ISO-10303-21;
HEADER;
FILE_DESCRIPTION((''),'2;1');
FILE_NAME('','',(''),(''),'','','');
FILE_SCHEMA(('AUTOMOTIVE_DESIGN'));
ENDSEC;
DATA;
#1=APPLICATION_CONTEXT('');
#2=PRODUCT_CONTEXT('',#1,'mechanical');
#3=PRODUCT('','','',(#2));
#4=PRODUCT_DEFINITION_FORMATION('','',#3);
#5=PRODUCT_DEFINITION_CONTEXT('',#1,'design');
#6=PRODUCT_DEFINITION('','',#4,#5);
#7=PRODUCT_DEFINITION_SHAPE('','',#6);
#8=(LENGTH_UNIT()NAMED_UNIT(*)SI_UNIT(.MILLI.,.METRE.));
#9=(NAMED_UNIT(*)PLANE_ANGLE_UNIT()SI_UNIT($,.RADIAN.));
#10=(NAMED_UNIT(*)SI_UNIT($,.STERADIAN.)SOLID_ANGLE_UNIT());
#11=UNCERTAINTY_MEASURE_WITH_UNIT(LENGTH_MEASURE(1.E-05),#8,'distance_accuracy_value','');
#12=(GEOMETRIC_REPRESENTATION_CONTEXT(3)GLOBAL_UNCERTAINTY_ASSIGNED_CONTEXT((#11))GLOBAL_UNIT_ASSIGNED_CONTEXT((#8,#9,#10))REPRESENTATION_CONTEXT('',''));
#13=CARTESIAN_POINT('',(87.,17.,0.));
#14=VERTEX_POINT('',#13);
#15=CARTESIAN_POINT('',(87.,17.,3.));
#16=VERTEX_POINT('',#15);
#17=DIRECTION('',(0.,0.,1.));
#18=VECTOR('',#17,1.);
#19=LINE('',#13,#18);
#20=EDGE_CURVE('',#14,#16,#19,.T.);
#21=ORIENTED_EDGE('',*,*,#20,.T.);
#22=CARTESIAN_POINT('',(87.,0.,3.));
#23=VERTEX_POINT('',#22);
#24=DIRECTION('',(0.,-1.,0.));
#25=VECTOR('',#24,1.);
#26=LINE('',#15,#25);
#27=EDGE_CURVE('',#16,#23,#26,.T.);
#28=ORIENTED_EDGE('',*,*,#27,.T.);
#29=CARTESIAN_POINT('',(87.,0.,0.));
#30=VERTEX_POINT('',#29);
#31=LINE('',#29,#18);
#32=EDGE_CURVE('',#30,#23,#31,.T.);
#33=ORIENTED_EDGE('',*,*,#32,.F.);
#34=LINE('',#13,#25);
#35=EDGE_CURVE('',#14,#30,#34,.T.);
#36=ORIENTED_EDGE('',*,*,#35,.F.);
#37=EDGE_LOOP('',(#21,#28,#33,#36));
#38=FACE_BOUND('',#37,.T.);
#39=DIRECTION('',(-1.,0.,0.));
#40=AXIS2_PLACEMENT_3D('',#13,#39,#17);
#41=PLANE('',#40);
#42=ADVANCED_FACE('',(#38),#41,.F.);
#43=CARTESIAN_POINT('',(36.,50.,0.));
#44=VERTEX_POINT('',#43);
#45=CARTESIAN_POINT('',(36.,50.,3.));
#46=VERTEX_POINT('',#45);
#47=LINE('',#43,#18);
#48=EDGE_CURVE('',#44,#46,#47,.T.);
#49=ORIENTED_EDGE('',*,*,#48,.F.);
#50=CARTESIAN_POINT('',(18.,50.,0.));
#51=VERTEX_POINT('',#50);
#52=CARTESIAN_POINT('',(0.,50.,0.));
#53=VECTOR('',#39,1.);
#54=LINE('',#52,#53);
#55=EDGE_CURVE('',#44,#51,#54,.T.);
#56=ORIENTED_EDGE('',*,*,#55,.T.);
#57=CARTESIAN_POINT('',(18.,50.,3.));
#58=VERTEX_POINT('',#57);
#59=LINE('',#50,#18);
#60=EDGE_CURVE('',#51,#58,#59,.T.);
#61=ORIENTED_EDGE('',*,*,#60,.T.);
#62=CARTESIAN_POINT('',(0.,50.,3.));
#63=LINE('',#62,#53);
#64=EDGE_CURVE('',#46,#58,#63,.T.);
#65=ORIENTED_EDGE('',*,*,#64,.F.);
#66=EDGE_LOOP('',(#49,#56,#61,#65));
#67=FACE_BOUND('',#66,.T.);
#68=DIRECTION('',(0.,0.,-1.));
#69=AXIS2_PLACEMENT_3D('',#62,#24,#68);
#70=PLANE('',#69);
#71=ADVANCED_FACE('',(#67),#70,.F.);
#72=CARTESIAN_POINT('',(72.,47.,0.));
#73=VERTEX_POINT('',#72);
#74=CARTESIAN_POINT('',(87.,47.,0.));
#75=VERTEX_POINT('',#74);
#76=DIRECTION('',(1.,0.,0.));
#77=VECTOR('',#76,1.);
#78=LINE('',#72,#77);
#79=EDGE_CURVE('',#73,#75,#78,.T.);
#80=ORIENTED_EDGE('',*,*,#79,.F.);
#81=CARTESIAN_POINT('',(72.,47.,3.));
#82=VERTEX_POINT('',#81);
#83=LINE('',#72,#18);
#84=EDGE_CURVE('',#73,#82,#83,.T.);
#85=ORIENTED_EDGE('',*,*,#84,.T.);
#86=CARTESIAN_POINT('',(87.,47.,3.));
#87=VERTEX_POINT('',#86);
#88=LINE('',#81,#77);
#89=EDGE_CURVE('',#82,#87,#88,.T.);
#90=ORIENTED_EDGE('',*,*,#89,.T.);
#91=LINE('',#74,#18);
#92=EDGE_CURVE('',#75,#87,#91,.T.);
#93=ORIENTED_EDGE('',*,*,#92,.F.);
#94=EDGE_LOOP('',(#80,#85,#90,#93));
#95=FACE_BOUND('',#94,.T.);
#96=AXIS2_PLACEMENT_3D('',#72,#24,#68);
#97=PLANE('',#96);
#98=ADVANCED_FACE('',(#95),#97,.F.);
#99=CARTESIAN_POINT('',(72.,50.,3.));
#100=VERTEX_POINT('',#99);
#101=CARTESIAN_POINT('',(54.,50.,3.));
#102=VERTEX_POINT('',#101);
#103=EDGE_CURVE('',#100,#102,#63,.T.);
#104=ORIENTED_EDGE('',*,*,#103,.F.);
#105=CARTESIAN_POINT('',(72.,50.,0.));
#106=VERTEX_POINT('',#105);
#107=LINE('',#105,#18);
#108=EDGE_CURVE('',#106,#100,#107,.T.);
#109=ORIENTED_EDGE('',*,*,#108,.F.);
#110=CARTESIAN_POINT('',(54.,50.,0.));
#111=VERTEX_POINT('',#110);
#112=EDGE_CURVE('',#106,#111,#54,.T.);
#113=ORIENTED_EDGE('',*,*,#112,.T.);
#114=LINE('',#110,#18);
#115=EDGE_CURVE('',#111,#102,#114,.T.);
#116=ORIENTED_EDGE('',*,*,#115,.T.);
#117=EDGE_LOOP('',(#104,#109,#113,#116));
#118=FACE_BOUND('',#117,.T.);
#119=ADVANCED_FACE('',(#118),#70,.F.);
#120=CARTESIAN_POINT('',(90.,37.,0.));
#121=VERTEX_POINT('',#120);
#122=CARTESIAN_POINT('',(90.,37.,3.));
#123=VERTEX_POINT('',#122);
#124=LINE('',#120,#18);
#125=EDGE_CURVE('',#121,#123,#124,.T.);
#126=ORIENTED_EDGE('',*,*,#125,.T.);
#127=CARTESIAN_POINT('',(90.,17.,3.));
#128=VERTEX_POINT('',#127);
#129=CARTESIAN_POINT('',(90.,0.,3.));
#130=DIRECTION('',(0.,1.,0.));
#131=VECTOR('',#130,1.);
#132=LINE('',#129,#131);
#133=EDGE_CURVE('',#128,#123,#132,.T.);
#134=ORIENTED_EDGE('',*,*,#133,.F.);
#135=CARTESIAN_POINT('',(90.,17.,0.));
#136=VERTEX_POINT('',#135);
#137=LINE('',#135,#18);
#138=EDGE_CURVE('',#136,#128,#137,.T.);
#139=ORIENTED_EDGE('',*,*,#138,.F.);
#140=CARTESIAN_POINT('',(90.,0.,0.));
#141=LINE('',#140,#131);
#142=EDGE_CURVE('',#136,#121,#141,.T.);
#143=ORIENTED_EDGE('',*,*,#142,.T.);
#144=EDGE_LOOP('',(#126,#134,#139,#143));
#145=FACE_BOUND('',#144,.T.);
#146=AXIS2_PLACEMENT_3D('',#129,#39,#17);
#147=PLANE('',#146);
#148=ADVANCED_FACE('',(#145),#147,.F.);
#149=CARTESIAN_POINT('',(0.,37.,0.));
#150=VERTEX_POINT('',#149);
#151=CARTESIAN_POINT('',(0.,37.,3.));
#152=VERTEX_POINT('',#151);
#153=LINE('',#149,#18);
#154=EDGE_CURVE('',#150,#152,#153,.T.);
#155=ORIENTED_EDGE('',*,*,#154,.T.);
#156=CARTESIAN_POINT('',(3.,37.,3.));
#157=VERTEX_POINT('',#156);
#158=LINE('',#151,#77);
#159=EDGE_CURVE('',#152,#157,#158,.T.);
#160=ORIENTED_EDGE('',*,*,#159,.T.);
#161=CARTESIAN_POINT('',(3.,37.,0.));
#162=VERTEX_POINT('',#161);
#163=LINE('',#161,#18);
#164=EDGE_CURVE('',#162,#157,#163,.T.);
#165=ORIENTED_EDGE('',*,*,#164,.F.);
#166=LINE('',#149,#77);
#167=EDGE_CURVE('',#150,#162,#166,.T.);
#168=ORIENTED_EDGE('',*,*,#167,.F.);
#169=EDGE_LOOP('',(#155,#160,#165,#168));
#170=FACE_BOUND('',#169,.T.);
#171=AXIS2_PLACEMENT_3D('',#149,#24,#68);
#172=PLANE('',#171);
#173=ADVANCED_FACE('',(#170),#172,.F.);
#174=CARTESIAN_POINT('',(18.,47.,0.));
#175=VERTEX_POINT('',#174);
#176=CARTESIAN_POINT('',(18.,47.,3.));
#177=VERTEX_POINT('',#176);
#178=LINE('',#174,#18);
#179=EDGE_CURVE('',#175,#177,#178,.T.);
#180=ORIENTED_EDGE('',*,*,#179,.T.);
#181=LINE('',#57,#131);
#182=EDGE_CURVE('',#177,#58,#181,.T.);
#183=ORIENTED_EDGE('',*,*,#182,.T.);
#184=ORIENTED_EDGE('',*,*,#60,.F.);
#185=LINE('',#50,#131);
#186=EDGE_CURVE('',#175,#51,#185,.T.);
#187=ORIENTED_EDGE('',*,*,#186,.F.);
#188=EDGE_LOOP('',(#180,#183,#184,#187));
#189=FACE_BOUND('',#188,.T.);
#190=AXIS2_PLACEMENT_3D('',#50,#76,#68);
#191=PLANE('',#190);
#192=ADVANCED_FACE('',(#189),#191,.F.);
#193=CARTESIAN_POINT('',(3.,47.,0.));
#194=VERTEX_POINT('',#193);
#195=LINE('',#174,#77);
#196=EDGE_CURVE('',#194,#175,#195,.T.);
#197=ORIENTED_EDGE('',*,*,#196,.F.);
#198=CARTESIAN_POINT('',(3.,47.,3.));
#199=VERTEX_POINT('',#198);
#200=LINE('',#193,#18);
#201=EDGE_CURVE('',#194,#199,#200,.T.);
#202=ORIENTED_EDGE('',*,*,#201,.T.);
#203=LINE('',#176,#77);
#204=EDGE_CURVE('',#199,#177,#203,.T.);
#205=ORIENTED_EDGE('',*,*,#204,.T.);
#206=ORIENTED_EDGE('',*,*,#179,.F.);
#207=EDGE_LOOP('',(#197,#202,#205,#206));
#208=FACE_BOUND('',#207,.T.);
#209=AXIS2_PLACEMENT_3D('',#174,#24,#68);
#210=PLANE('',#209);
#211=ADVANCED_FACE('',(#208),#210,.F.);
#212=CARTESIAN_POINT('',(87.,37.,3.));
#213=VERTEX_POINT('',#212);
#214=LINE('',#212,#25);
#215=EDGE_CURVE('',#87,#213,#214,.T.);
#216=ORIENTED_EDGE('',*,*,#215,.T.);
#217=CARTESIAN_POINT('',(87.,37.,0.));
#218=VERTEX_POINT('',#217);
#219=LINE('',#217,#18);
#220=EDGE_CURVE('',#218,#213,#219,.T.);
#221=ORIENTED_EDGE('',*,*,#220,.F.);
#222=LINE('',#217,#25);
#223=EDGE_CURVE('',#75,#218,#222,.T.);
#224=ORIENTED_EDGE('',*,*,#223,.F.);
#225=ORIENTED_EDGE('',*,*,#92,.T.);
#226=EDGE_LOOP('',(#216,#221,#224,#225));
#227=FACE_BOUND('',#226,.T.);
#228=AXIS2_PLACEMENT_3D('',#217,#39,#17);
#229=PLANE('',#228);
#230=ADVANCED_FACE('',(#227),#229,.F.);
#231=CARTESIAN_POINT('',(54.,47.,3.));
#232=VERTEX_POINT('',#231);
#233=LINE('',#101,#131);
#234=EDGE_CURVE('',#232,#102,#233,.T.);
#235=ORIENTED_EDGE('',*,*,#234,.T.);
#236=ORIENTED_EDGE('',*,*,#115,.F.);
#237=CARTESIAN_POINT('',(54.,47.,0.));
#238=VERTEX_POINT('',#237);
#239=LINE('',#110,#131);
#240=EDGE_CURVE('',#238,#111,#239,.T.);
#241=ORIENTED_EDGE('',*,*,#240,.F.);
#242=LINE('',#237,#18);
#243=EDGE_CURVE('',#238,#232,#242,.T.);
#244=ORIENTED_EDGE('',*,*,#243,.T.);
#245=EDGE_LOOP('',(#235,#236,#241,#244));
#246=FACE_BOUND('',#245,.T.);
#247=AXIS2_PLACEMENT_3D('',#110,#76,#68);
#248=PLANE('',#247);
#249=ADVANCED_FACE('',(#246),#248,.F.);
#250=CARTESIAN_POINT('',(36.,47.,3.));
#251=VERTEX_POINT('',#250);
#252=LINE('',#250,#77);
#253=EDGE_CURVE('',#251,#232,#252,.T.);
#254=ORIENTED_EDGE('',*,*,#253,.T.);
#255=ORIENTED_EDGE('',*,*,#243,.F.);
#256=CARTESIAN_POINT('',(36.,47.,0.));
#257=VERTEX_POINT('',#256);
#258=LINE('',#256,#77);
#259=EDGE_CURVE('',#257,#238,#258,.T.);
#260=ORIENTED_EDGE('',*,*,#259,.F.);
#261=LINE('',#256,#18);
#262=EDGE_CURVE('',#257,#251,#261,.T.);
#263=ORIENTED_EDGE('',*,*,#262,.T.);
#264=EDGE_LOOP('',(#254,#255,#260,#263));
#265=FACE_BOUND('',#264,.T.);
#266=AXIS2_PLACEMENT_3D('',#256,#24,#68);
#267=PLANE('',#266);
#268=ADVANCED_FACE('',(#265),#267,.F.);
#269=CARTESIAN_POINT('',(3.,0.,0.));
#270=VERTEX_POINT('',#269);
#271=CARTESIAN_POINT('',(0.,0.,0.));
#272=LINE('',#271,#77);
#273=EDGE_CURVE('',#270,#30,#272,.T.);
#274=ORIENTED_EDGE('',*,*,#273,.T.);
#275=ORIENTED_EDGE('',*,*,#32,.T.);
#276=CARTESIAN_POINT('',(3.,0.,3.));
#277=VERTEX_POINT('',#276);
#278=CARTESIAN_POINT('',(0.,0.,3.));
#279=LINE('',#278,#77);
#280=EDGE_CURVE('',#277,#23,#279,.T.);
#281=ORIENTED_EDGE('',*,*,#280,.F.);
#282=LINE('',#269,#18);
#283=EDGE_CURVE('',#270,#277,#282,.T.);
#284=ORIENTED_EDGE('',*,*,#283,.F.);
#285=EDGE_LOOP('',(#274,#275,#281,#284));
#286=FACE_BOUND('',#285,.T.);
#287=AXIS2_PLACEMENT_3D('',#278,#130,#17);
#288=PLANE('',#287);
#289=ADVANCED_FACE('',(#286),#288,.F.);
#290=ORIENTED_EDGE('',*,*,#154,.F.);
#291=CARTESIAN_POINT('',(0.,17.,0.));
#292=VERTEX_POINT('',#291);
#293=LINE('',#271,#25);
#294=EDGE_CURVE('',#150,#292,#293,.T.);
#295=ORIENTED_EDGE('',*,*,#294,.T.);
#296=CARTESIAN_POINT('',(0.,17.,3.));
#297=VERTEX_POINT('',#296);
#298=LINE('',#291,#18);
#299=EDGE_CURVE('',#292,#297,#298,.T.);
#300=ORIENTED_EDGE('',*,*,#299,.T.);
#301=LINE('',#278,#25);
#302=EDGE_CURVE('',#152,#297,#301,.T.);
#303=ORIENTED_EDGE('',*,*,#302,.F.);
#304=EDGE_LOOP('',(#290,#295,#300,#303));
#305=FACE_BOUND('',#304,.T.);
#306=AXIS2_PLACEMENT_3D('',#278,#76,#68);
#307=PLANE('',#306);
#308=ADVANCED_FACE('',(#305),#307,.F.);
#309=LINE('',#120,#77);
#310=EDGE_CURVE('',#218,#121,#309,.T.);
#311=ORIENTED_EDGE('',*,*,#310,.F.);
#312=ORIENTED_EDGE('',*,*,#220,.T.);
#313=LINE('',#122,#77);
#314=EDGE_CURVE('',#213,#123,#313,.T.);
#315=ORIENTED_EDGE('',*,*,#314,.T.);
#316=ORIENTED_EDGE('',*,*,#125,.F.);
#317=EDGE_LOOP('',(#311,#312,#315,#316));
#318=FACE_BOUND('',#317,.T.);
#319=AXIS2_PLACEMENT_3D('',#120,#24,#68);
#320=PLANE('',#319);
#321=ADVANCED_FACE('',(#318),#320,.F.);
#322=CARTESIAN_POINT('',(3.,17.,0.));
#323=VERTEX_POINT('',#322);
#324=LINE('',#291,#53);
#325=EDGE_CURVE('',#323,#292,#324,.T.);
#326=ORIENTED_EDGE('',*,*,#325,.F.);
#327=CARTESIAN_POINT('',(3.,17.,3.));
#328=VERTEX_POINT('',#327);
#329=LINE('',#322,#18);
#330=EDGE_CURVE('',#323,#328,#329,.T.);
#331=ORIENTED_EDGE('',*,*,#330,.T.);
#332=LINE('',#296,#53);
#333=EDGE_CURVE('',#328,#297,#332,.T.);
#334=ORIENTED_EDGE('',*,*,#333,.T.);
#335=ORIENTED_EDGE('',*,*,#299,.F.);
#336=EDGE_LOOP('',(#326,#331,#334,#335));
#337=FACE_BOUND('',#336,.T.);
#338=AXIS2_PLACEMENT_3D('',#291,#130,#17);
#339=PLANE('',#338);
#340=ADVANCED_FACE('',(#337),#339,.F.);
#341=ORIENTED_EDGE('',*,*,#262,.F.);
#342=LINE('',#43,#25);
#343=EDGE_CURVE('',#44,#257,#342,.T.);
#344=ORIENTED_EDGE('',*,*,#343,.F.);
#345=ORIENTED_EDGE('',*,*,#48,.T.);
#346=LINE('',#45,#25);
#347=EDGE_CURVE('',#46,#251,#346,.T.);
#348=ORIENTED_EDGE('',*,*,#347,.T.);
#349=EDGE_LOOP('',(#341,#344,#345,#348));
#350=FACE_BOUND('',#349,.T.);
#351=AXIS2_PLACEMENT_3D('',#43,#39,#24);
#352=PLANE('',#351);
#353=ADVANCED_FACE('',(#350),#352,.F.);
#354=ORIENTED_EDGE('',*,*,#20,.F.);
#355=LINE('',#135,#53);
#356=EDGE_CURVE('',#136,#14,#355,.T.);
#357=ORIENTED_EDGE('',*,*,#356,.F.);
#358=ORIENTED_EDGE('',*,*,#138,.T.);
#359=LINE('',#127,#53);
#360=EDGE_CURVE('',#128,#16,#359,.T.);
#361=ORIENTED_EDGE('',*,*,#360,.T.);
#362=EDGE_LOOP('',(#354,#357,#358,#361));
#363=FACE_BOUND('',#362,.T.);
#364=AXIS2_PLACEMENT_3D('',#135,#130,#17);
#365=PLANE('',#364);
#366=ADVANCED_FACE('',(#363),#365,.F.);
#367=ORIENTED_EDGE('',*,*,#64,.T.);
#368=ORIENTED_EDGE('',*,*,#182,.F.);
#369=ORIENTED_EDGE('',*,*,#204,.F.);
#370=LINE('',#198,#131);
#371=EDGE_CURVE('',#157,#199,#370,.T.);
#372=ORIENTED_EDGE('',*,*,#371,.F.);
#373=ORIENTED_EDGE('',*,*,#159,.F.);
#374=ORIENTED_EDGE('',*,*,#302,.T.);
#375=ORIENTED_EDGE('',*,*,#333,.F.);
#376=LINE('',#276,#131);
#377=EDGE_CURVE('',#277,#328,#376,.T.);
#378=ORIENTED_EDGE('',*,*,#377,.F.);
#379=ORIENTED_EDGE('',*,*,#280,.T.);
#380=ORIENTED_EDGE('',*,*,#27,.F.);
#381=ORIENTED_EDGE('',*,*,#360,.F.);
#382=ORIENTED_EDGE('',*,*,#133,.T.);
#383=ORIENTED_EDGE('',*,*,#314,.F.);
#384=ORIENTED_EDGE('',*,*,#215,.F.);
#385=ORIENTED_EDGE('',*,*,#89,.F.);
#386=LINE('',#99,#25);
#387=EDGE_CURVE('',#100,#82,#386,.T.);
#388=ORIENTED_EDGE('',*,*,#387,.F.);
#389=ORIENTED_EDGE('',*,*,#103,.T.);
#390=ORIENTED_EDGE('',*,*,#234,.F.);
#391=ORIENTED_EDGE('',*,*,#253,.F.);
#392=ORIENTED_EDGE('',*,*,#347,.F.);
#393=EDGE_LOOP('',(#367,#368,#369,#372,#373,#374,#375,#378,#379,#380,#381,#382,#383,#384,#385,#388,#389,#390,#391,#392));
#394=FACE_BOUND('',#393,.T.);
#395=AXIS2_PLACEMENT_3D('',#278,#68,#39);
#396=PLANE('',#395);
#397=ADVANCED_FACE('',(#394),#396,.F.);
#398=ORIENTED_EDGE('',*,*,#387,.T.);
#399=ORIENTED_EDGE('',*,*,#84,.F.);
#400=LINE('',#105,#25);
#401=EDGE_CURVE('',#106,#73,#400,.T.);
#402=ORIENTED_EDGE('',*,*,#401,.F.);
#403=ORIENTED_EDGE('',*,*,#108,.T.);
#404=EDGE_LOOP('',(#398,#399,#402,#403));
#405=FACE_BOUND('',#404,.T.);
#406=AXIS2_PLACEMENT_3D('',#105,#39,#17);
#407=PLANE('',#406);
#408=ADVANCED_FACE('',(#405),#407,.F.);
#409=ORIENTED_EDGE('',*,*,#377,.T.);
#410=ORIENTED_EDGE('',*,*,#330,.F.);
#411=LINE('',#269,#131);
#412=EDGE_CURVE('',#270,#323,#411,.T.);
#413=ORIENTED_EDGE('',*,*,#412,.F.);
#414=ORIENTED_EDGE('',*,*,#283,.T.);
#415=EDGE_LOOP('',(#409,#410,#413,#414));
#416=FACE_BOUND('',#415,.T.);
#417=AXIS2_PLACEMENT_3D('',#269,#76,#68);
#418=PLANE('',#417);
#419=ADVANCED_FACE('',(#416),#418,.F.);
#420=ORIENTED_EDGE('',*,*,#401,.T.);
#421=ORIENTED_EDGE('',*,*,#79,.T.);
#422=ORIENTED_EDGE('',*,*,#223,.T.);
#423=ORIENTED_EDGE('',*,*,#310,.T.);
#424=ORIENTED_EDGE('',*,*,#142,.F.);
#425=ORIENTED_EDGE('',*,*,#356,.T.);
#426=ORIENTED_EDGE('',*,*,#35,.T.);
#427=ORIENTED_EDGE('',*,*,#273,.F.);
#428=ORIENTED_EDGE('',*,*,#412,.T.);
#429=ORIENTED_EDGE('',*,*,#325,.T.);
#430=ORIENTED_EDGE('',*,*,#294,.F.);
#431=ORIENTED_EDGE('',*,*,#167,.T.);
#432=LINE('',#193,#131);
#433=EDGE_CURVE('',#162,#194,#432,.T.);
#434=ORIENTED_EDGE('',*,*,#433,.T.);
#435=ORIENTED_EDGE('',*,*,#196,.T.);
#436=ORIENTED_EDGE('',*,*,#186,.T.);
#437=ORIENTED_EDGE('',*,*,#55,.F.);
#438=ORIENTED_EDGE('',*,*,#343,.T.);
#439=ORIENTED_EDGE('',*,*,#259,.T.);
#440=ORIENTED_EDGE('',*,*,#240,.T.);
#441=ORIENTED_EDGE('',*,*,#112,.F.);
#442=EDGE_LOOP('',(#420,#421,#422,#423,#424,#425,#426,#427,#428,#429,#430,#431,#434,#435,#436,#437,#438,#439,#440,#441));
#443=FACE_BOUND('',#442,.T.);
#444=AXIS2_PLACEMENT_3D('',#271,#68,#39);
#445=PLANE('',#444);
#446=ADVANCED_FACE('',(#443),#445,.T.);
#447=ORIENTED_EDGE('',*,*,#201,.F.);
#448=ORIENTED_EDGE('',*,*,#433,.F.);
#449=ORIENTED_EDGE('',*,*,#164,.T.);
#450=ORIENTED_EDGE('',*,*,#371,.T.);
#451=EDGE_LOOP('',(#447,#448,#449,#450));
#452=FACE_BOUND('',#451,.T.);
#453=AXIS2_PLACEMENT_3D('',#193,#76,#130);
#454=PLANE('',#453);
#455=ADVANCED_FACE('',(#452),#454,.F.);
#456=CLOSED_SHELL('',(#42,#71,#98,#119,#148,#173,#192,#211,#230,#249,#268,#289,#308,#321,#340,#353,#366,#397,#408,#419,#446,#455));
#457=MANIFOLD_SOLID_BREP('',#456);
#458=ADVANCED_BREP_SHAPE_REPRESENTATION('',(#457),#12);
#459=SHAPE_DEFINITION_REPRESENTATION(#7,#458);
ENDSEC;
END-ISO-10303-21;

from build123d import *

# Parameters (mm, degrees)
SKETCH1_W           = 90
SKETCH1_H           = 50
BOSS_EXTRUDE1_DEPTH = 3
SKETCH2_W           = 18
SKETCH2_H           = 3
SKETCH2_W_2         = 3
SKETCH2_H_2         = 17
CUT_EXTRUDE1_DEPTH  = 3


with BuildPart() as part:
    # Sketch1 → Boss-Extrude1 (new body)
    with BuildSketch(Plane.XY):
        with Locations((45, 25)):
            Rectangle(SKETCH1_W, SKETCH1_H)
    extrude(amount=BOSS_EXTRUDE1_DEPTH)

    # Sketch2 → Cut-Extrude1 (cut)
    with BuildSketch(Plane.XY.offset(3)):
        Polygon((0, 50), (18, 50), (18, 47), (3, 47), (3, 37), (0, 37), (0, 47), align=None)
        with Locations((45, 48.5)):
            Rectangle(SKETCH2_W, SKETCH2_H)
        Polygon((90, 50), (72, 50), (72, 47), (87, 47), (87, 37), (90, 37), (90, 47), align=None)
        with Locations((88.5, 8.5)):
            Rectangle(SKETCH2_W_2, SKETCH2_H_2)
        with Locations((1.5, 8.5)):
            Rectangle(SKETCH2_W_2, SKETCH2_H_2)
    extrude(amount=-CUT_EXTRUDE1_DEPTH, mode=Mode.SUBTRACT)


solid = part.part
